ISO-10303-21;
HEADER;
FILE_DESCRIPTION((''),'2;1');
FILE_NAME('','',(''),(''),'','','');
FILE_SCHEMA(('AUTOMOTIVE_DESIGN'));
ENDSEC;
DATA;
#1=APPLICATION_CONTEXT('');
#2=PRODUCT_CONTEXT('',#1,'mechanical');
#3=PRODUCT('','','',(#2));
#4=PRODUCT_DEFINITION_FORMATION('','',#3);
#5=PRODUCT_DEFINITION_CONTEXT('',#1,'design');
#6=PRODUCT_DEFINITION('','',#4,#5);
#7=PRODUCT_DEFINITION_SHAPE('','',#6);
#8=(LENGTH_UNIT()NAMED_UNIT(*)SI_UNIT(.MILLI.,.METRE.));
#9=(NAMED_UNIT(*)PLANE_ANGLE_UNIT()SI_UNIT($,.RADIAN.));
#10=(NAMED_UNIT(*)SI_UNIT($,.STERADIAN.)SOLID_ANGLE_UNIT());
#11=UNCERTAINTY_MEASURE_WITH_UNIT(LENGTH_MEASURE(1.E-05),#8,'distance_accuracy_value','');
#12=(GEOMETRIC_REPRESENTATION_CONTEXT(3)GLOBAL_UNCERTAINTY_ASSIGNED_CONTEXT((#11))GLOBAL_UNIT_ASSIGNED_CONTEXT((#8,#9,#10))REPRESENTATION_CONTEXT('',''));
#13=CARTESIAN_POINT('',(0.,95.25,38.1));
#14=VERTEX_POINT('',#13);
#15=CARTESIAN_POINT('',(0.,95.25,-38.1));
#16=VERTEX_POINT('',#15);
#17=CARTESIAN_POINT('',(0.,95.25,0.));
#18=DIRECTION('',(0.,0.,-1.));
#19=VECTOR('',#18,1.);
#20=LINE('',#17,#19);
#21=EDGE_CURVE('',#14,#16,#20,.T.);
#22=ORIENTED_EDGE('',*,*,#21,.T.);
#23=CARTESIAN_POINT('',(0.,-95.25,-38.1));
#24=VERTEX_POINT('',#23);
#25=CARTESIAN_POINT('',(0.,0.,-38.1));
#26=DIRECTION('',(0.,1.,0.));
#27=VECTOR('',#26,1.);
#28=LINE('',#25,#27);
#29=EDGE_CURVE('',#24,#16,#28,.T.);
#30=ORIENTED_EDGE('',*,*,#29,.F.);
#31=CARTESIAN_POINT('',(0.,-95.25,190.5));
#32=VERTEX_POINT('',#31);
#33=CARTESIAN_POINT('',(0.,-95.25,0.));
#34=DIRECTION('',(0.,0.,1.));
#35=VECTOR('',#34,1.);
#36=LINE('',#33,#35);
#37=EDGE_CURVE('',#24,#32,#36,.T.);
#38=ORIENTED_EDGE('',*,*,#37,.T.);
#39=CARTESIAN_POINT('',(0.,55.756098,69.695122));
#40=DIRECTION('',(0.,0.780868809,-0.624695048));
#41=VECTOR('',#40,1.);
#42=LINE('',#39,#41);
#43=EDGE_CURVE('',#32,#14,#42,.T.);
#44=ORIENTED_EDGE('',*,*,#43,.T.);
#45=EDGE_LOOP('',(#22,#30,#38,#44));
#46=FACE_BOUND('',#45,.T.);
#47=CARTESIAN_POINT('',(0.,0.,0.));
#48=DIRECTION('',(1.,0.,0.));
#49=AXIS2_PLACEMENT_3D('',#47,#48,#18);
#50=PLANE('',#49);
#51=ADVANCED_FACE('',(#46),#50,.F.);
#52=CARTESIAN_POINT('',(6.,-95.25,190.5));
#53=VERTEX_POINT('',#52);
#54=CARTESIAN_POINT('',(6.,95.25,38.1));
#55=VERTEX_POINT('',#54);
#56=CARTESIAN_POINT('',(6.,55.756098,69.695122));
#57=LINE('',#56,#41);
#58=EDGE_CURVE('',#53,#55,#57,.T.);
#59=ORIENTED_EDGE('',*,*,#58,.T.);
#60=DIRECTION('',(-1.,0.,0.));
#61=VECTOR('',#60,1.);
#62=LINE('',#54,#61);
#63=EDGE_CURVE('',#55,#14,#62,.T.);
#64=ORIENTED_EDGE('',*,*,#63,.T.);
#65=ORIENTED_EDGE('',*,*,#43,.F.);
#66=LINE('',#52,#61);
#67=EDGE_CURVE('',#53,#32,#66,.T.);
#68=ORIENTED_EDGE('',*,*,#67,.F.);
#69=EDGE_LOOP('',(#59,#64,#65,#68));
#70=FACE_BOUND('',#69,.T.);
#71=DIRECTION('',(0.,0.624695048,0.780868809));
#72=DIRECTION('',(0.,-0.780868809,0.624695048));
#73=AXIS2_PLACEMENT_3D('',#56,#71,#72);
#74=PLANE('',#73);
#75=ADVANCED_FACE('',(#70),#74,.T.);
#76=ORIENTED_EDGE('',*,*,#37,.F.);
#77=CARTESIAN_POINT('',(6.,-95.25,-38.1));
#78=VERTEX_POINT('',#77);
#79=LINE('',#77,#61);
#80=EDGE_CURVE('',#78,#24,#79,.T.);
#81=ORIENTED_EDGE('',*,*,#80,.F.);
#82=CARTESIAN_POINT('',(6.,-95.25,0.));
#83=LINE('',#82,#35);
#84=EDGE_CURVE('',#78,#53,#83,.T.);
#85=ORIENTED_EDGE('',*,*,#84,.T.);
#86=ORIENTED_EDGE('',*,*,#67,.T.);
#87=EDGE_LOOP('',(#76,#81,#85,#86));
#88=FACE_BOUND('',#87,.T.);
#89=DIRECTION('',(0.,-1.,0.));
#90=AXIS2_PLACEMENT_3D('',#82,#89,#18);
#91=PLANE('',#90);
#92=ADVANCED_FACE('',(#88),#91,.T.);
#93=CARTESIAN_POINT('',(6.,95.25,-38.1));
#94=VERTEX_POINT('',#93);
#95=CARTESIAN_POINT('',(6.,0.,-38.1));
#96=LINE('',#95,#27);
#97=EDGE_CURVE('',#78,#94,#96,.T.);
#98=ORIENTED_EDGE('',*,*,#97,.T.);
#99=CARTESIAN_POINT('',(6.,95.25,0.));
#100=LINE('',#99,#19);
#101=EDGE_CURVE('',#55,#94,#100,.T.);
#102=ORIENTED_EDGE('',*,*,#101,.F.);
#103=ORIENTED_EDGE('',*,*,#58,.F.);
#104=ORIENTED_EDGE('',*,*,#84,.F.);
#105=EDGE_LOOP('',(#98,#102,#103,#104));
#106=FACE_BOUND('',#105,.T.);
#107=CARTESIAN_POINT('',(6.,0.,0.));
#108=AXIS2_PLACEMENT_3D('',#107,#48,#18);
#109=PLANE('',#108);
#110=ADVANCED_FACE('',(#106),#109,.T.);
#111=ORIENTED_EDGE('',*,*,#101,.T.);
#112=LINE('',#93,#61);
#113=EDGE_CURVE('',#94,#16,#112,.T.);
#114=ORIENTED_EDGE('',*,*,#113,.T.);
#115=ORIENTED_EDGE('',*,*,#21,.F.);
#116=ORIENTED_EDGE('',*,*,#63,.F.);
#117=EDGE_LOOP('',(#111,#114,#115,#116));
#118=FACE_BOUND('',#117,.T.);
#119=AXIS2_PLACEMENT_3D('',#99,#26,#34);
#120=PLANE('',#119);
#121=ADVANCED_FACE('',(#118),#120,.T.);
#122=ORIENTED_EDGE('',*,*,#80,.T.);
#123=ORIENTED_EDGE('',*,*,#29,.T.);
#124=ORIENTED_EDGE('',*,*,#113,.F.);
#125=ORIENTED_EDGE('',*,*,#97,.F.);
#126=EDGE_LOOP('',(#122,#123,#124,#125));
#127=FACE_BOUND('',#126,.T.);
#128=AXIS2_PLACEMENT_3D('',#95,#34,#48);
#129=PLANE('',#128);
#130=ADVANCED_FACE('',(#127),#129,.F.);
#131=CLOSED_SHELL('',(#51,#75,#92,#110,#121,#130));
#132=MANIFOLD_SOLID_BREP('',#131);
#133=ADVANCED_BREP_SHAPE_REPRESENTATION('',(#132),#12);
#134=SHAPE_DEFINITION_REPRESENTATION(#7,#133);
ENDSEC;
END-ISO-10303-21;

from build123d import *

# Parameters (mm, degrees)
SKETCH1_W           = 76.2
SKETCH1_H           = 190.5
BOSS_EXTRUDE1_DEPTH = 6


with BuildPart() as part:
    # Sketch1 → Boss-Extrude1 (new body)
    with BuildSketch(Plane(origin=(0, 0, 0), x_dir=(0, 0, -1), z_dir=(1, 0, 0))):
        Polygon((-190.5, -95.25), (-38.1, 95.25), (-38.1, -95.25), align=None)
        Rectangle(SKETCH1_W, SKETCH1_H)
    extrude(amount=BOSS_EXTRUDE1_DEPTH)


solid = part.part
